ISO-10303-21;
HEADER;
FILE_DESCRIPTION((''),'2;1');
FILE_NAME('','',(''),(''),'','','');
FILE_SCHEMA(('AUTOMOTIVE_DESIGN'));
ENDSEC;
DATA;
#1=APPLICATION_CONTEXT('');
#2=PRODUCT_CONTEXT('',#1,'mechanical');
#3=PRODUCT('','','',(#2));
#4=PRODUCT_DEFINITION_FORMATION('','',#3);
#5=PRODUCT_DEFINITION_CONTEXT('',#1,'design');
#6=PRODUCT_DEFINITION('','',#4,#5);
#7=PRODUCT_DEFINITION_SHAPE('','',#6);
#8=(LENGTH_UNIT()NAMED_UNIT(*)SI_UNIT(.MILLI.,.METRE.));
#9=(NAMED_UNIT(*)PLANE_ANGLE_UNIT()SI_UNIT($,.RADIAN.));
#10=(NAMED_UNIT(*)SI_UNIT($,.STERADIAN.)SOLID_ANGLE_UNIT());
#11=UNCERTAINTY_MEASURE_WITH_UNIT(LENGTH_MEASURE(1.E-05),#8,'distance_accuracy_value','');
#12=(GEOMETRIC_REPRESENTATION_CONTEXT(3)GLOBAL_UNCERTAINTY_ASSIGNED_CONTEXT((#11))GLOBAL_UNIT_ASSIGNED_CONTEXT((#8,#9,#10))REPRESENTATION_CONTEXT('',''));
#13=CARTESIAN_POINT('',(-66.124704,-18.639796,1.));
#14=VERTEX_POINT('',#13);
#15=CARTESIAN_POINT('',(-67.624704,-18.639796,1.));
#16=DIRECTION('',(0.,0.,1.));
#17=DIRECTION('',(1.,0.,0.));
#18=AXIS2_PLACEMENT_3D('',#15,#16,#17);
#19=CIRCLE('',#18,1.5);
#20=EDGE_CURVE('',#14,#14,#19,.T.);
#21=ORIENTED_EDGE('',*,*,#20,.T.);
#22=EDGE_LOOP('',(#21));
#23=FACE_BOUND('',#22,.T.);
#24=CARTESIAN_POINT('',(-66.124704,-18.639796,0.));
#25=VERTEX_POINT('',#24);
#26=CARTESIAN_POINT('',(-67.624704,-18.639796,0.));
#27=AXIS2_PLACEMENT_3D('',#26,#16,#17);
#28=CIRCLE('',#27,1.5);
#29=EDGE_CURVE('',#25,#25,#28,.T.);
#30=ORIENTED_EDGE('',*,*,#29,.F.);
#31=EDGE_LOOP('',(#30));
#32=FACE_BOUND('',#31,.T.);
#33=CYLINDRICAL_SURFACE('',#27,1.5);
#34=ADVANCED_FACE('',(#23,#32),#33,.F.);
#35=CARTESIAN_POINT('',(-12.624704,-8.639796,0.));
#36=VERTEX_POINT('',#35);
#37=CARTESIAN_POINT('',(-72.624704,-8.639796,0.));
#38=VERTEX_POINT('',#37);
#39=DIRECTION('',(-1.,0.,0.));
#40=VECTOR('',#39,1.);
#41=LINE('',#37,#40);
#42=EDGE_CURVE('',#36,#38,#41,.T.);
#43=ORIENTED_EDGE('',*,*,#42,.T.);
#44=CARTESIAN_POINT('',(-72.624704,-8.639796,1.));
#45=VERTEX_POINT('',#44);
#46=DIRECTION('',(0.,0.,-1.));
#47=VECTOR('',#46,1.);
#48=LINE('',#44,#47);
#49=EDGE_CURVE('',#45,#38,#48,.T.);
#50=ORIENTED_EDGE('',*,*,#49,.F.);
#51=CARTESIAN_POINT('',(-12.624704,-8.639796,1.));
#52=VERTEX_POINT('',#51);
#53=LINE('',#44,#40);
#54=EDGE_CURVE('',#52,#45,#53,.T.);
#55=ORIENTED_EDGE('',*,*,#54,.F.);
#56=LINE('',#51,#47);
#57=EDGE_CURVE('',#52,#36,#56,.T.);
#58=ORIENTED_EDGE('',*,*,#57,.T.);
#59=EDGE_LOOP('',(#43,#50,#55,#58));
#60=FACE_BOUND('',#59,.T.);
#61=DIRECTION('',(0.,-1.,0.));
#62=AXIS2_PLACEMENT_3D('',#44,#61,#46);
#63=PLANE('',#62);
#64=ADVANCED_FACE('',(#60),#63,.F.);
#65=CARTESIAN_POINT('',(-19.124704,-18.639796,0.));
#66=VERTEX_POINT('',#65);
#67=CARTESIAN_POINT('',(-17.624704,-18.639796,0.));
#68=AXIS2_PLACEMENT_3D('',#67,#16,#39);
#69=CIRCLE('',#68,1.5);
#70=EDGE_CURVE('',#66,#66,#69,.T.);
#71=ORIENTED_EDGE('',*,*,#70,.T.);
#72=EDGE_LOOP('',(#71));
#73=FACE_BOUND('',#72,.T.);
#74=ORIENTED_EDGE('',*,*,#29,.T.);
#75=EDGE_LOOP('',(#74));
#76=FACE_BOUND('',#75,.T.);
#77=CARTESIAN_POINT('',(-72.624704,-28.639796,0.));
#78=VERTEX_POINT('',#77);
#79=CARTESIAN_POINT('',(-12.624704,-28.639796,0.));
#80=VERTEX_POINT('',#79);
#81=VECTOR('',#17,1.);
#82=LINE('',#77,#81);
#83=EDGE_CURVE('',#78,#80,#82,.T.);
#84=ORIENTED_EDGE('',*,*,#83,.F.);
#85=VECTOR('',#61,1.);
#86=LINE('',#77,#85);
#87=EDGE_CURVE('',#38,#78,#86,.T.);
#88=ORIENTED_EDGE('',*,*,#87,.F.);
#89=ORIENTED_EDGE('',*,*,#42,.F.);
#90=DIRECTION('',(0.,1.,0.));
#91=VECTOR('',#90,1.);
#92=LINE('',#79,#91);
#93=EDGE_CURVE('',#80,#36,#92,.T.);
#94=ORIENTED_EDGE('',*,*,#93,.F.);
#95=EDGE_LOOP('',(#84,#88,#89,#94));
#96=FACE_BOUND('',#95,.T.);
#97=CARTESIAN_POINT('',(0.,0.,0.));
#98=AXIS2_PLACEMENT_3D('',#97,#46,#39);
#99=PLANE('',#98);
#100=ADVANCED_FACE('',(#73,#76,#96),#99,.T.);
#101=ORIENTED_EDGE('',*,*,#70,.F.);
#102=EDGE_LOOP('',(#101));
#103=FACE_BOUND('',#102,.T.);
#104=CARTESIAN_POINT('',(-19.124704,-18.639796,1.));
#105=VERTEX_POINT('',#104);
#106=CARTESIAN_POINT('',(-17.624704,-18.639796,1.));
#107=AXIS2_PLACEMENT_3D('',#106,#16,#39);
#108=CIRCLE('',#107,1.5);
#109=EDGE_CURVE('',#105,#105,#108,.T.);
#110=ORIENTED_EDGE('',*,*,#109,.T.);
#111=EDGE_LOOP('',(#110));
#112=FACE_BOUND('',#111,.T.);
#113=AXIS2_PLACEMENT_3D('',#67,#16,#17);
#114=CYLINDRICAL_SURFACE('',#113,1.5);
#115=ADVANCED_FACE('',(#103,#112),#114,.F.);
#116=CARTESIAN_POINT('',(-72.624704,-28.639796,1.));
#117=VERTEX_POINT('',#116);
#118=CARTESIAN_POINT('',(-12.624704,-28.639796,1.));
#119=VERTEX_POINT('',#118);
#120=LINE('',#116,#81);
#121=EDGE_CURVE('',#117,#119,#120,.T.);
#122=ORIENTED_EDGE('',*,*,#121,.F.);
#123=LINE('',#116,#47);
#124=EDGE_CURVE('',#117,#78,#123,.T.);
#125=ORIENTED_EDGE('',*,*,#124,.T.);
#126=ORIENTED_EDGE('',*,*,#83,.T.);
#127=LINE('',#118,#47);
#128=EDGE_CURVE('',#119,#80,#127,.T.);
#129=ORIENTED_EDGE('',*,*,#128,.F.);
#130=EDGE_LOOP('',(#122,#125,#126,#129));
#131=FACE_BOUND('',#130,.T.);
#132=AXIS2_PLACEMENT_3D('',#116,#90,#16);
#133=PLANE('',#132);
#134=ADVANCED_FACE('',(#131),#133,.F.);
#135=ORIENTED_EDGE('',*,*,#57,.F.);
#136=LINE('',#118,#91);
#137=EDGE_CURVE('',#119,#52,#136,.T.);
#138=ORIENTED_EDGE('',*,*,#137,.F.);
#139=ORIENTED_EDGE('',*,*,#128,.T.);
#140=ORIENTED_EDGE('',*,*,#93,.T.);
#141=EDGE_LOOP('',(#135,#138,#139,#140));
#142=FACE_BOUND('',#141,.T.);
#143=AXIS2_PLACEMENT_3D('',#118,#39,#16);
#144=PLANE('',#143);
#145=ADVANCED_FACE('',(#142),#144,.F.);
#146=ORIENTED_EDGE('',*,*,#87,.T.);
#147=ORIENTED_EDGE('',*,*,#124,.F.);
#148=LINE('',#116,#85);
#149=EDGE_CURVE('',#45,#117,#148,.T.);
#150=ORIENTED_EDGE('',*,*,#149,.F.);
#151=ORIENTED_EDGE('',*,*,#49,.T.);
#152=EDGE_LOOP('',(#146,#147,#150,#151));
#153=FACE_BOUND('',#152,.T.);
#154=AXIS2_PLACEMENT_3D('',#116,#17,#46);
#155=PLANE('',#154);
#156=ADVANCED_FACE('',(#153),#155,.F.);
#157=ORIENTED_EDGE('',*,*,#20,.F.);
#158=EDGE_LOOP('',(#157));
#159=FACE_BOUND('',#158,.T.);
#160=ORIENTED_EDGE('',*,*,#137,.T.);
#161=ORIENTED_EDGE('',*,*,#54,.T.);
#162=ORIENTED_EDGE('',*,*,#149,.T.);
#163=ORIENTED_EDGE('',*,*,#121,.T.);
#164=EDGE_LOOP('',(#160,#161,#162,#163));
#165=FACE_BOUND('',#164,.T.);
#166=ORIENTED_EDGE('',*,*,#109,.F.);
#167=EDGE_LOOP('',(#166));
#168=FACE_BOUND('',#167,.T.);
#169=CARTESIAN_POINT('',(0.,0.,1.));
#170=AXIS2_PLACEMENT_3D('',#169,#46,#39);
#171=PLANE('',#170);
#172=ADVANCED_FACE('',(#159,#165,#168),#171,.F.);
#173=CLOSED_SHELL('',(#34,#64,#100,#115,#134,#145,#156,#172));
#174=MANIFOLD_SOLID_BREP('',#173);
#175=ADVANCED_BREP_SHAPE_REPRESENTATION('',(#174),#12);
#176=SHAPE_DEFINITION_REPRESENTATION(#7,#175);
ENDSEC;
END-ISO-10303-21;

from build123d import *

# Parameters (mm, degrees)
ESBO_O1_W                = 60
ESBO_O1_H                = 20
RESSALTO_EXTRUS_O1_DEPTH = 1
ESBO_O2_R                = 1.5
CORTE_EXTRUS_O1_DEPTH    = 2


with BuildPart() as part:
    # Esboço1 → Ressalto-extrusão1 (new body)
    with BuildSketch(Plane.XY):
        with Locations((-42.624704013, -18.639795918)):
            Rectangle(ESBO_O1_W, ESBO_O1_H)
    extrude(amount=RESSALTO_EXTRUS_O1_DEPTH)

    # Esboço2 → Corte-extrusão1 (cut, through all)
    with BuildSketch(Plane.XY.offset(1)):
        with Locations((-67.624704013, -18.639795918)):
            Circle(ESBO_O2_R)
        with Locations(Location((-17.624704013, -18.639795918, 0), (0, 0, 180))):  # turned: the seam where the file's is
            Circle(ESBO_O2_R)
    extrude(amount=-CORTE_EXTRUS_O1_DEPTH, mode=Mode.SUBTRACT)


solid = part.part
